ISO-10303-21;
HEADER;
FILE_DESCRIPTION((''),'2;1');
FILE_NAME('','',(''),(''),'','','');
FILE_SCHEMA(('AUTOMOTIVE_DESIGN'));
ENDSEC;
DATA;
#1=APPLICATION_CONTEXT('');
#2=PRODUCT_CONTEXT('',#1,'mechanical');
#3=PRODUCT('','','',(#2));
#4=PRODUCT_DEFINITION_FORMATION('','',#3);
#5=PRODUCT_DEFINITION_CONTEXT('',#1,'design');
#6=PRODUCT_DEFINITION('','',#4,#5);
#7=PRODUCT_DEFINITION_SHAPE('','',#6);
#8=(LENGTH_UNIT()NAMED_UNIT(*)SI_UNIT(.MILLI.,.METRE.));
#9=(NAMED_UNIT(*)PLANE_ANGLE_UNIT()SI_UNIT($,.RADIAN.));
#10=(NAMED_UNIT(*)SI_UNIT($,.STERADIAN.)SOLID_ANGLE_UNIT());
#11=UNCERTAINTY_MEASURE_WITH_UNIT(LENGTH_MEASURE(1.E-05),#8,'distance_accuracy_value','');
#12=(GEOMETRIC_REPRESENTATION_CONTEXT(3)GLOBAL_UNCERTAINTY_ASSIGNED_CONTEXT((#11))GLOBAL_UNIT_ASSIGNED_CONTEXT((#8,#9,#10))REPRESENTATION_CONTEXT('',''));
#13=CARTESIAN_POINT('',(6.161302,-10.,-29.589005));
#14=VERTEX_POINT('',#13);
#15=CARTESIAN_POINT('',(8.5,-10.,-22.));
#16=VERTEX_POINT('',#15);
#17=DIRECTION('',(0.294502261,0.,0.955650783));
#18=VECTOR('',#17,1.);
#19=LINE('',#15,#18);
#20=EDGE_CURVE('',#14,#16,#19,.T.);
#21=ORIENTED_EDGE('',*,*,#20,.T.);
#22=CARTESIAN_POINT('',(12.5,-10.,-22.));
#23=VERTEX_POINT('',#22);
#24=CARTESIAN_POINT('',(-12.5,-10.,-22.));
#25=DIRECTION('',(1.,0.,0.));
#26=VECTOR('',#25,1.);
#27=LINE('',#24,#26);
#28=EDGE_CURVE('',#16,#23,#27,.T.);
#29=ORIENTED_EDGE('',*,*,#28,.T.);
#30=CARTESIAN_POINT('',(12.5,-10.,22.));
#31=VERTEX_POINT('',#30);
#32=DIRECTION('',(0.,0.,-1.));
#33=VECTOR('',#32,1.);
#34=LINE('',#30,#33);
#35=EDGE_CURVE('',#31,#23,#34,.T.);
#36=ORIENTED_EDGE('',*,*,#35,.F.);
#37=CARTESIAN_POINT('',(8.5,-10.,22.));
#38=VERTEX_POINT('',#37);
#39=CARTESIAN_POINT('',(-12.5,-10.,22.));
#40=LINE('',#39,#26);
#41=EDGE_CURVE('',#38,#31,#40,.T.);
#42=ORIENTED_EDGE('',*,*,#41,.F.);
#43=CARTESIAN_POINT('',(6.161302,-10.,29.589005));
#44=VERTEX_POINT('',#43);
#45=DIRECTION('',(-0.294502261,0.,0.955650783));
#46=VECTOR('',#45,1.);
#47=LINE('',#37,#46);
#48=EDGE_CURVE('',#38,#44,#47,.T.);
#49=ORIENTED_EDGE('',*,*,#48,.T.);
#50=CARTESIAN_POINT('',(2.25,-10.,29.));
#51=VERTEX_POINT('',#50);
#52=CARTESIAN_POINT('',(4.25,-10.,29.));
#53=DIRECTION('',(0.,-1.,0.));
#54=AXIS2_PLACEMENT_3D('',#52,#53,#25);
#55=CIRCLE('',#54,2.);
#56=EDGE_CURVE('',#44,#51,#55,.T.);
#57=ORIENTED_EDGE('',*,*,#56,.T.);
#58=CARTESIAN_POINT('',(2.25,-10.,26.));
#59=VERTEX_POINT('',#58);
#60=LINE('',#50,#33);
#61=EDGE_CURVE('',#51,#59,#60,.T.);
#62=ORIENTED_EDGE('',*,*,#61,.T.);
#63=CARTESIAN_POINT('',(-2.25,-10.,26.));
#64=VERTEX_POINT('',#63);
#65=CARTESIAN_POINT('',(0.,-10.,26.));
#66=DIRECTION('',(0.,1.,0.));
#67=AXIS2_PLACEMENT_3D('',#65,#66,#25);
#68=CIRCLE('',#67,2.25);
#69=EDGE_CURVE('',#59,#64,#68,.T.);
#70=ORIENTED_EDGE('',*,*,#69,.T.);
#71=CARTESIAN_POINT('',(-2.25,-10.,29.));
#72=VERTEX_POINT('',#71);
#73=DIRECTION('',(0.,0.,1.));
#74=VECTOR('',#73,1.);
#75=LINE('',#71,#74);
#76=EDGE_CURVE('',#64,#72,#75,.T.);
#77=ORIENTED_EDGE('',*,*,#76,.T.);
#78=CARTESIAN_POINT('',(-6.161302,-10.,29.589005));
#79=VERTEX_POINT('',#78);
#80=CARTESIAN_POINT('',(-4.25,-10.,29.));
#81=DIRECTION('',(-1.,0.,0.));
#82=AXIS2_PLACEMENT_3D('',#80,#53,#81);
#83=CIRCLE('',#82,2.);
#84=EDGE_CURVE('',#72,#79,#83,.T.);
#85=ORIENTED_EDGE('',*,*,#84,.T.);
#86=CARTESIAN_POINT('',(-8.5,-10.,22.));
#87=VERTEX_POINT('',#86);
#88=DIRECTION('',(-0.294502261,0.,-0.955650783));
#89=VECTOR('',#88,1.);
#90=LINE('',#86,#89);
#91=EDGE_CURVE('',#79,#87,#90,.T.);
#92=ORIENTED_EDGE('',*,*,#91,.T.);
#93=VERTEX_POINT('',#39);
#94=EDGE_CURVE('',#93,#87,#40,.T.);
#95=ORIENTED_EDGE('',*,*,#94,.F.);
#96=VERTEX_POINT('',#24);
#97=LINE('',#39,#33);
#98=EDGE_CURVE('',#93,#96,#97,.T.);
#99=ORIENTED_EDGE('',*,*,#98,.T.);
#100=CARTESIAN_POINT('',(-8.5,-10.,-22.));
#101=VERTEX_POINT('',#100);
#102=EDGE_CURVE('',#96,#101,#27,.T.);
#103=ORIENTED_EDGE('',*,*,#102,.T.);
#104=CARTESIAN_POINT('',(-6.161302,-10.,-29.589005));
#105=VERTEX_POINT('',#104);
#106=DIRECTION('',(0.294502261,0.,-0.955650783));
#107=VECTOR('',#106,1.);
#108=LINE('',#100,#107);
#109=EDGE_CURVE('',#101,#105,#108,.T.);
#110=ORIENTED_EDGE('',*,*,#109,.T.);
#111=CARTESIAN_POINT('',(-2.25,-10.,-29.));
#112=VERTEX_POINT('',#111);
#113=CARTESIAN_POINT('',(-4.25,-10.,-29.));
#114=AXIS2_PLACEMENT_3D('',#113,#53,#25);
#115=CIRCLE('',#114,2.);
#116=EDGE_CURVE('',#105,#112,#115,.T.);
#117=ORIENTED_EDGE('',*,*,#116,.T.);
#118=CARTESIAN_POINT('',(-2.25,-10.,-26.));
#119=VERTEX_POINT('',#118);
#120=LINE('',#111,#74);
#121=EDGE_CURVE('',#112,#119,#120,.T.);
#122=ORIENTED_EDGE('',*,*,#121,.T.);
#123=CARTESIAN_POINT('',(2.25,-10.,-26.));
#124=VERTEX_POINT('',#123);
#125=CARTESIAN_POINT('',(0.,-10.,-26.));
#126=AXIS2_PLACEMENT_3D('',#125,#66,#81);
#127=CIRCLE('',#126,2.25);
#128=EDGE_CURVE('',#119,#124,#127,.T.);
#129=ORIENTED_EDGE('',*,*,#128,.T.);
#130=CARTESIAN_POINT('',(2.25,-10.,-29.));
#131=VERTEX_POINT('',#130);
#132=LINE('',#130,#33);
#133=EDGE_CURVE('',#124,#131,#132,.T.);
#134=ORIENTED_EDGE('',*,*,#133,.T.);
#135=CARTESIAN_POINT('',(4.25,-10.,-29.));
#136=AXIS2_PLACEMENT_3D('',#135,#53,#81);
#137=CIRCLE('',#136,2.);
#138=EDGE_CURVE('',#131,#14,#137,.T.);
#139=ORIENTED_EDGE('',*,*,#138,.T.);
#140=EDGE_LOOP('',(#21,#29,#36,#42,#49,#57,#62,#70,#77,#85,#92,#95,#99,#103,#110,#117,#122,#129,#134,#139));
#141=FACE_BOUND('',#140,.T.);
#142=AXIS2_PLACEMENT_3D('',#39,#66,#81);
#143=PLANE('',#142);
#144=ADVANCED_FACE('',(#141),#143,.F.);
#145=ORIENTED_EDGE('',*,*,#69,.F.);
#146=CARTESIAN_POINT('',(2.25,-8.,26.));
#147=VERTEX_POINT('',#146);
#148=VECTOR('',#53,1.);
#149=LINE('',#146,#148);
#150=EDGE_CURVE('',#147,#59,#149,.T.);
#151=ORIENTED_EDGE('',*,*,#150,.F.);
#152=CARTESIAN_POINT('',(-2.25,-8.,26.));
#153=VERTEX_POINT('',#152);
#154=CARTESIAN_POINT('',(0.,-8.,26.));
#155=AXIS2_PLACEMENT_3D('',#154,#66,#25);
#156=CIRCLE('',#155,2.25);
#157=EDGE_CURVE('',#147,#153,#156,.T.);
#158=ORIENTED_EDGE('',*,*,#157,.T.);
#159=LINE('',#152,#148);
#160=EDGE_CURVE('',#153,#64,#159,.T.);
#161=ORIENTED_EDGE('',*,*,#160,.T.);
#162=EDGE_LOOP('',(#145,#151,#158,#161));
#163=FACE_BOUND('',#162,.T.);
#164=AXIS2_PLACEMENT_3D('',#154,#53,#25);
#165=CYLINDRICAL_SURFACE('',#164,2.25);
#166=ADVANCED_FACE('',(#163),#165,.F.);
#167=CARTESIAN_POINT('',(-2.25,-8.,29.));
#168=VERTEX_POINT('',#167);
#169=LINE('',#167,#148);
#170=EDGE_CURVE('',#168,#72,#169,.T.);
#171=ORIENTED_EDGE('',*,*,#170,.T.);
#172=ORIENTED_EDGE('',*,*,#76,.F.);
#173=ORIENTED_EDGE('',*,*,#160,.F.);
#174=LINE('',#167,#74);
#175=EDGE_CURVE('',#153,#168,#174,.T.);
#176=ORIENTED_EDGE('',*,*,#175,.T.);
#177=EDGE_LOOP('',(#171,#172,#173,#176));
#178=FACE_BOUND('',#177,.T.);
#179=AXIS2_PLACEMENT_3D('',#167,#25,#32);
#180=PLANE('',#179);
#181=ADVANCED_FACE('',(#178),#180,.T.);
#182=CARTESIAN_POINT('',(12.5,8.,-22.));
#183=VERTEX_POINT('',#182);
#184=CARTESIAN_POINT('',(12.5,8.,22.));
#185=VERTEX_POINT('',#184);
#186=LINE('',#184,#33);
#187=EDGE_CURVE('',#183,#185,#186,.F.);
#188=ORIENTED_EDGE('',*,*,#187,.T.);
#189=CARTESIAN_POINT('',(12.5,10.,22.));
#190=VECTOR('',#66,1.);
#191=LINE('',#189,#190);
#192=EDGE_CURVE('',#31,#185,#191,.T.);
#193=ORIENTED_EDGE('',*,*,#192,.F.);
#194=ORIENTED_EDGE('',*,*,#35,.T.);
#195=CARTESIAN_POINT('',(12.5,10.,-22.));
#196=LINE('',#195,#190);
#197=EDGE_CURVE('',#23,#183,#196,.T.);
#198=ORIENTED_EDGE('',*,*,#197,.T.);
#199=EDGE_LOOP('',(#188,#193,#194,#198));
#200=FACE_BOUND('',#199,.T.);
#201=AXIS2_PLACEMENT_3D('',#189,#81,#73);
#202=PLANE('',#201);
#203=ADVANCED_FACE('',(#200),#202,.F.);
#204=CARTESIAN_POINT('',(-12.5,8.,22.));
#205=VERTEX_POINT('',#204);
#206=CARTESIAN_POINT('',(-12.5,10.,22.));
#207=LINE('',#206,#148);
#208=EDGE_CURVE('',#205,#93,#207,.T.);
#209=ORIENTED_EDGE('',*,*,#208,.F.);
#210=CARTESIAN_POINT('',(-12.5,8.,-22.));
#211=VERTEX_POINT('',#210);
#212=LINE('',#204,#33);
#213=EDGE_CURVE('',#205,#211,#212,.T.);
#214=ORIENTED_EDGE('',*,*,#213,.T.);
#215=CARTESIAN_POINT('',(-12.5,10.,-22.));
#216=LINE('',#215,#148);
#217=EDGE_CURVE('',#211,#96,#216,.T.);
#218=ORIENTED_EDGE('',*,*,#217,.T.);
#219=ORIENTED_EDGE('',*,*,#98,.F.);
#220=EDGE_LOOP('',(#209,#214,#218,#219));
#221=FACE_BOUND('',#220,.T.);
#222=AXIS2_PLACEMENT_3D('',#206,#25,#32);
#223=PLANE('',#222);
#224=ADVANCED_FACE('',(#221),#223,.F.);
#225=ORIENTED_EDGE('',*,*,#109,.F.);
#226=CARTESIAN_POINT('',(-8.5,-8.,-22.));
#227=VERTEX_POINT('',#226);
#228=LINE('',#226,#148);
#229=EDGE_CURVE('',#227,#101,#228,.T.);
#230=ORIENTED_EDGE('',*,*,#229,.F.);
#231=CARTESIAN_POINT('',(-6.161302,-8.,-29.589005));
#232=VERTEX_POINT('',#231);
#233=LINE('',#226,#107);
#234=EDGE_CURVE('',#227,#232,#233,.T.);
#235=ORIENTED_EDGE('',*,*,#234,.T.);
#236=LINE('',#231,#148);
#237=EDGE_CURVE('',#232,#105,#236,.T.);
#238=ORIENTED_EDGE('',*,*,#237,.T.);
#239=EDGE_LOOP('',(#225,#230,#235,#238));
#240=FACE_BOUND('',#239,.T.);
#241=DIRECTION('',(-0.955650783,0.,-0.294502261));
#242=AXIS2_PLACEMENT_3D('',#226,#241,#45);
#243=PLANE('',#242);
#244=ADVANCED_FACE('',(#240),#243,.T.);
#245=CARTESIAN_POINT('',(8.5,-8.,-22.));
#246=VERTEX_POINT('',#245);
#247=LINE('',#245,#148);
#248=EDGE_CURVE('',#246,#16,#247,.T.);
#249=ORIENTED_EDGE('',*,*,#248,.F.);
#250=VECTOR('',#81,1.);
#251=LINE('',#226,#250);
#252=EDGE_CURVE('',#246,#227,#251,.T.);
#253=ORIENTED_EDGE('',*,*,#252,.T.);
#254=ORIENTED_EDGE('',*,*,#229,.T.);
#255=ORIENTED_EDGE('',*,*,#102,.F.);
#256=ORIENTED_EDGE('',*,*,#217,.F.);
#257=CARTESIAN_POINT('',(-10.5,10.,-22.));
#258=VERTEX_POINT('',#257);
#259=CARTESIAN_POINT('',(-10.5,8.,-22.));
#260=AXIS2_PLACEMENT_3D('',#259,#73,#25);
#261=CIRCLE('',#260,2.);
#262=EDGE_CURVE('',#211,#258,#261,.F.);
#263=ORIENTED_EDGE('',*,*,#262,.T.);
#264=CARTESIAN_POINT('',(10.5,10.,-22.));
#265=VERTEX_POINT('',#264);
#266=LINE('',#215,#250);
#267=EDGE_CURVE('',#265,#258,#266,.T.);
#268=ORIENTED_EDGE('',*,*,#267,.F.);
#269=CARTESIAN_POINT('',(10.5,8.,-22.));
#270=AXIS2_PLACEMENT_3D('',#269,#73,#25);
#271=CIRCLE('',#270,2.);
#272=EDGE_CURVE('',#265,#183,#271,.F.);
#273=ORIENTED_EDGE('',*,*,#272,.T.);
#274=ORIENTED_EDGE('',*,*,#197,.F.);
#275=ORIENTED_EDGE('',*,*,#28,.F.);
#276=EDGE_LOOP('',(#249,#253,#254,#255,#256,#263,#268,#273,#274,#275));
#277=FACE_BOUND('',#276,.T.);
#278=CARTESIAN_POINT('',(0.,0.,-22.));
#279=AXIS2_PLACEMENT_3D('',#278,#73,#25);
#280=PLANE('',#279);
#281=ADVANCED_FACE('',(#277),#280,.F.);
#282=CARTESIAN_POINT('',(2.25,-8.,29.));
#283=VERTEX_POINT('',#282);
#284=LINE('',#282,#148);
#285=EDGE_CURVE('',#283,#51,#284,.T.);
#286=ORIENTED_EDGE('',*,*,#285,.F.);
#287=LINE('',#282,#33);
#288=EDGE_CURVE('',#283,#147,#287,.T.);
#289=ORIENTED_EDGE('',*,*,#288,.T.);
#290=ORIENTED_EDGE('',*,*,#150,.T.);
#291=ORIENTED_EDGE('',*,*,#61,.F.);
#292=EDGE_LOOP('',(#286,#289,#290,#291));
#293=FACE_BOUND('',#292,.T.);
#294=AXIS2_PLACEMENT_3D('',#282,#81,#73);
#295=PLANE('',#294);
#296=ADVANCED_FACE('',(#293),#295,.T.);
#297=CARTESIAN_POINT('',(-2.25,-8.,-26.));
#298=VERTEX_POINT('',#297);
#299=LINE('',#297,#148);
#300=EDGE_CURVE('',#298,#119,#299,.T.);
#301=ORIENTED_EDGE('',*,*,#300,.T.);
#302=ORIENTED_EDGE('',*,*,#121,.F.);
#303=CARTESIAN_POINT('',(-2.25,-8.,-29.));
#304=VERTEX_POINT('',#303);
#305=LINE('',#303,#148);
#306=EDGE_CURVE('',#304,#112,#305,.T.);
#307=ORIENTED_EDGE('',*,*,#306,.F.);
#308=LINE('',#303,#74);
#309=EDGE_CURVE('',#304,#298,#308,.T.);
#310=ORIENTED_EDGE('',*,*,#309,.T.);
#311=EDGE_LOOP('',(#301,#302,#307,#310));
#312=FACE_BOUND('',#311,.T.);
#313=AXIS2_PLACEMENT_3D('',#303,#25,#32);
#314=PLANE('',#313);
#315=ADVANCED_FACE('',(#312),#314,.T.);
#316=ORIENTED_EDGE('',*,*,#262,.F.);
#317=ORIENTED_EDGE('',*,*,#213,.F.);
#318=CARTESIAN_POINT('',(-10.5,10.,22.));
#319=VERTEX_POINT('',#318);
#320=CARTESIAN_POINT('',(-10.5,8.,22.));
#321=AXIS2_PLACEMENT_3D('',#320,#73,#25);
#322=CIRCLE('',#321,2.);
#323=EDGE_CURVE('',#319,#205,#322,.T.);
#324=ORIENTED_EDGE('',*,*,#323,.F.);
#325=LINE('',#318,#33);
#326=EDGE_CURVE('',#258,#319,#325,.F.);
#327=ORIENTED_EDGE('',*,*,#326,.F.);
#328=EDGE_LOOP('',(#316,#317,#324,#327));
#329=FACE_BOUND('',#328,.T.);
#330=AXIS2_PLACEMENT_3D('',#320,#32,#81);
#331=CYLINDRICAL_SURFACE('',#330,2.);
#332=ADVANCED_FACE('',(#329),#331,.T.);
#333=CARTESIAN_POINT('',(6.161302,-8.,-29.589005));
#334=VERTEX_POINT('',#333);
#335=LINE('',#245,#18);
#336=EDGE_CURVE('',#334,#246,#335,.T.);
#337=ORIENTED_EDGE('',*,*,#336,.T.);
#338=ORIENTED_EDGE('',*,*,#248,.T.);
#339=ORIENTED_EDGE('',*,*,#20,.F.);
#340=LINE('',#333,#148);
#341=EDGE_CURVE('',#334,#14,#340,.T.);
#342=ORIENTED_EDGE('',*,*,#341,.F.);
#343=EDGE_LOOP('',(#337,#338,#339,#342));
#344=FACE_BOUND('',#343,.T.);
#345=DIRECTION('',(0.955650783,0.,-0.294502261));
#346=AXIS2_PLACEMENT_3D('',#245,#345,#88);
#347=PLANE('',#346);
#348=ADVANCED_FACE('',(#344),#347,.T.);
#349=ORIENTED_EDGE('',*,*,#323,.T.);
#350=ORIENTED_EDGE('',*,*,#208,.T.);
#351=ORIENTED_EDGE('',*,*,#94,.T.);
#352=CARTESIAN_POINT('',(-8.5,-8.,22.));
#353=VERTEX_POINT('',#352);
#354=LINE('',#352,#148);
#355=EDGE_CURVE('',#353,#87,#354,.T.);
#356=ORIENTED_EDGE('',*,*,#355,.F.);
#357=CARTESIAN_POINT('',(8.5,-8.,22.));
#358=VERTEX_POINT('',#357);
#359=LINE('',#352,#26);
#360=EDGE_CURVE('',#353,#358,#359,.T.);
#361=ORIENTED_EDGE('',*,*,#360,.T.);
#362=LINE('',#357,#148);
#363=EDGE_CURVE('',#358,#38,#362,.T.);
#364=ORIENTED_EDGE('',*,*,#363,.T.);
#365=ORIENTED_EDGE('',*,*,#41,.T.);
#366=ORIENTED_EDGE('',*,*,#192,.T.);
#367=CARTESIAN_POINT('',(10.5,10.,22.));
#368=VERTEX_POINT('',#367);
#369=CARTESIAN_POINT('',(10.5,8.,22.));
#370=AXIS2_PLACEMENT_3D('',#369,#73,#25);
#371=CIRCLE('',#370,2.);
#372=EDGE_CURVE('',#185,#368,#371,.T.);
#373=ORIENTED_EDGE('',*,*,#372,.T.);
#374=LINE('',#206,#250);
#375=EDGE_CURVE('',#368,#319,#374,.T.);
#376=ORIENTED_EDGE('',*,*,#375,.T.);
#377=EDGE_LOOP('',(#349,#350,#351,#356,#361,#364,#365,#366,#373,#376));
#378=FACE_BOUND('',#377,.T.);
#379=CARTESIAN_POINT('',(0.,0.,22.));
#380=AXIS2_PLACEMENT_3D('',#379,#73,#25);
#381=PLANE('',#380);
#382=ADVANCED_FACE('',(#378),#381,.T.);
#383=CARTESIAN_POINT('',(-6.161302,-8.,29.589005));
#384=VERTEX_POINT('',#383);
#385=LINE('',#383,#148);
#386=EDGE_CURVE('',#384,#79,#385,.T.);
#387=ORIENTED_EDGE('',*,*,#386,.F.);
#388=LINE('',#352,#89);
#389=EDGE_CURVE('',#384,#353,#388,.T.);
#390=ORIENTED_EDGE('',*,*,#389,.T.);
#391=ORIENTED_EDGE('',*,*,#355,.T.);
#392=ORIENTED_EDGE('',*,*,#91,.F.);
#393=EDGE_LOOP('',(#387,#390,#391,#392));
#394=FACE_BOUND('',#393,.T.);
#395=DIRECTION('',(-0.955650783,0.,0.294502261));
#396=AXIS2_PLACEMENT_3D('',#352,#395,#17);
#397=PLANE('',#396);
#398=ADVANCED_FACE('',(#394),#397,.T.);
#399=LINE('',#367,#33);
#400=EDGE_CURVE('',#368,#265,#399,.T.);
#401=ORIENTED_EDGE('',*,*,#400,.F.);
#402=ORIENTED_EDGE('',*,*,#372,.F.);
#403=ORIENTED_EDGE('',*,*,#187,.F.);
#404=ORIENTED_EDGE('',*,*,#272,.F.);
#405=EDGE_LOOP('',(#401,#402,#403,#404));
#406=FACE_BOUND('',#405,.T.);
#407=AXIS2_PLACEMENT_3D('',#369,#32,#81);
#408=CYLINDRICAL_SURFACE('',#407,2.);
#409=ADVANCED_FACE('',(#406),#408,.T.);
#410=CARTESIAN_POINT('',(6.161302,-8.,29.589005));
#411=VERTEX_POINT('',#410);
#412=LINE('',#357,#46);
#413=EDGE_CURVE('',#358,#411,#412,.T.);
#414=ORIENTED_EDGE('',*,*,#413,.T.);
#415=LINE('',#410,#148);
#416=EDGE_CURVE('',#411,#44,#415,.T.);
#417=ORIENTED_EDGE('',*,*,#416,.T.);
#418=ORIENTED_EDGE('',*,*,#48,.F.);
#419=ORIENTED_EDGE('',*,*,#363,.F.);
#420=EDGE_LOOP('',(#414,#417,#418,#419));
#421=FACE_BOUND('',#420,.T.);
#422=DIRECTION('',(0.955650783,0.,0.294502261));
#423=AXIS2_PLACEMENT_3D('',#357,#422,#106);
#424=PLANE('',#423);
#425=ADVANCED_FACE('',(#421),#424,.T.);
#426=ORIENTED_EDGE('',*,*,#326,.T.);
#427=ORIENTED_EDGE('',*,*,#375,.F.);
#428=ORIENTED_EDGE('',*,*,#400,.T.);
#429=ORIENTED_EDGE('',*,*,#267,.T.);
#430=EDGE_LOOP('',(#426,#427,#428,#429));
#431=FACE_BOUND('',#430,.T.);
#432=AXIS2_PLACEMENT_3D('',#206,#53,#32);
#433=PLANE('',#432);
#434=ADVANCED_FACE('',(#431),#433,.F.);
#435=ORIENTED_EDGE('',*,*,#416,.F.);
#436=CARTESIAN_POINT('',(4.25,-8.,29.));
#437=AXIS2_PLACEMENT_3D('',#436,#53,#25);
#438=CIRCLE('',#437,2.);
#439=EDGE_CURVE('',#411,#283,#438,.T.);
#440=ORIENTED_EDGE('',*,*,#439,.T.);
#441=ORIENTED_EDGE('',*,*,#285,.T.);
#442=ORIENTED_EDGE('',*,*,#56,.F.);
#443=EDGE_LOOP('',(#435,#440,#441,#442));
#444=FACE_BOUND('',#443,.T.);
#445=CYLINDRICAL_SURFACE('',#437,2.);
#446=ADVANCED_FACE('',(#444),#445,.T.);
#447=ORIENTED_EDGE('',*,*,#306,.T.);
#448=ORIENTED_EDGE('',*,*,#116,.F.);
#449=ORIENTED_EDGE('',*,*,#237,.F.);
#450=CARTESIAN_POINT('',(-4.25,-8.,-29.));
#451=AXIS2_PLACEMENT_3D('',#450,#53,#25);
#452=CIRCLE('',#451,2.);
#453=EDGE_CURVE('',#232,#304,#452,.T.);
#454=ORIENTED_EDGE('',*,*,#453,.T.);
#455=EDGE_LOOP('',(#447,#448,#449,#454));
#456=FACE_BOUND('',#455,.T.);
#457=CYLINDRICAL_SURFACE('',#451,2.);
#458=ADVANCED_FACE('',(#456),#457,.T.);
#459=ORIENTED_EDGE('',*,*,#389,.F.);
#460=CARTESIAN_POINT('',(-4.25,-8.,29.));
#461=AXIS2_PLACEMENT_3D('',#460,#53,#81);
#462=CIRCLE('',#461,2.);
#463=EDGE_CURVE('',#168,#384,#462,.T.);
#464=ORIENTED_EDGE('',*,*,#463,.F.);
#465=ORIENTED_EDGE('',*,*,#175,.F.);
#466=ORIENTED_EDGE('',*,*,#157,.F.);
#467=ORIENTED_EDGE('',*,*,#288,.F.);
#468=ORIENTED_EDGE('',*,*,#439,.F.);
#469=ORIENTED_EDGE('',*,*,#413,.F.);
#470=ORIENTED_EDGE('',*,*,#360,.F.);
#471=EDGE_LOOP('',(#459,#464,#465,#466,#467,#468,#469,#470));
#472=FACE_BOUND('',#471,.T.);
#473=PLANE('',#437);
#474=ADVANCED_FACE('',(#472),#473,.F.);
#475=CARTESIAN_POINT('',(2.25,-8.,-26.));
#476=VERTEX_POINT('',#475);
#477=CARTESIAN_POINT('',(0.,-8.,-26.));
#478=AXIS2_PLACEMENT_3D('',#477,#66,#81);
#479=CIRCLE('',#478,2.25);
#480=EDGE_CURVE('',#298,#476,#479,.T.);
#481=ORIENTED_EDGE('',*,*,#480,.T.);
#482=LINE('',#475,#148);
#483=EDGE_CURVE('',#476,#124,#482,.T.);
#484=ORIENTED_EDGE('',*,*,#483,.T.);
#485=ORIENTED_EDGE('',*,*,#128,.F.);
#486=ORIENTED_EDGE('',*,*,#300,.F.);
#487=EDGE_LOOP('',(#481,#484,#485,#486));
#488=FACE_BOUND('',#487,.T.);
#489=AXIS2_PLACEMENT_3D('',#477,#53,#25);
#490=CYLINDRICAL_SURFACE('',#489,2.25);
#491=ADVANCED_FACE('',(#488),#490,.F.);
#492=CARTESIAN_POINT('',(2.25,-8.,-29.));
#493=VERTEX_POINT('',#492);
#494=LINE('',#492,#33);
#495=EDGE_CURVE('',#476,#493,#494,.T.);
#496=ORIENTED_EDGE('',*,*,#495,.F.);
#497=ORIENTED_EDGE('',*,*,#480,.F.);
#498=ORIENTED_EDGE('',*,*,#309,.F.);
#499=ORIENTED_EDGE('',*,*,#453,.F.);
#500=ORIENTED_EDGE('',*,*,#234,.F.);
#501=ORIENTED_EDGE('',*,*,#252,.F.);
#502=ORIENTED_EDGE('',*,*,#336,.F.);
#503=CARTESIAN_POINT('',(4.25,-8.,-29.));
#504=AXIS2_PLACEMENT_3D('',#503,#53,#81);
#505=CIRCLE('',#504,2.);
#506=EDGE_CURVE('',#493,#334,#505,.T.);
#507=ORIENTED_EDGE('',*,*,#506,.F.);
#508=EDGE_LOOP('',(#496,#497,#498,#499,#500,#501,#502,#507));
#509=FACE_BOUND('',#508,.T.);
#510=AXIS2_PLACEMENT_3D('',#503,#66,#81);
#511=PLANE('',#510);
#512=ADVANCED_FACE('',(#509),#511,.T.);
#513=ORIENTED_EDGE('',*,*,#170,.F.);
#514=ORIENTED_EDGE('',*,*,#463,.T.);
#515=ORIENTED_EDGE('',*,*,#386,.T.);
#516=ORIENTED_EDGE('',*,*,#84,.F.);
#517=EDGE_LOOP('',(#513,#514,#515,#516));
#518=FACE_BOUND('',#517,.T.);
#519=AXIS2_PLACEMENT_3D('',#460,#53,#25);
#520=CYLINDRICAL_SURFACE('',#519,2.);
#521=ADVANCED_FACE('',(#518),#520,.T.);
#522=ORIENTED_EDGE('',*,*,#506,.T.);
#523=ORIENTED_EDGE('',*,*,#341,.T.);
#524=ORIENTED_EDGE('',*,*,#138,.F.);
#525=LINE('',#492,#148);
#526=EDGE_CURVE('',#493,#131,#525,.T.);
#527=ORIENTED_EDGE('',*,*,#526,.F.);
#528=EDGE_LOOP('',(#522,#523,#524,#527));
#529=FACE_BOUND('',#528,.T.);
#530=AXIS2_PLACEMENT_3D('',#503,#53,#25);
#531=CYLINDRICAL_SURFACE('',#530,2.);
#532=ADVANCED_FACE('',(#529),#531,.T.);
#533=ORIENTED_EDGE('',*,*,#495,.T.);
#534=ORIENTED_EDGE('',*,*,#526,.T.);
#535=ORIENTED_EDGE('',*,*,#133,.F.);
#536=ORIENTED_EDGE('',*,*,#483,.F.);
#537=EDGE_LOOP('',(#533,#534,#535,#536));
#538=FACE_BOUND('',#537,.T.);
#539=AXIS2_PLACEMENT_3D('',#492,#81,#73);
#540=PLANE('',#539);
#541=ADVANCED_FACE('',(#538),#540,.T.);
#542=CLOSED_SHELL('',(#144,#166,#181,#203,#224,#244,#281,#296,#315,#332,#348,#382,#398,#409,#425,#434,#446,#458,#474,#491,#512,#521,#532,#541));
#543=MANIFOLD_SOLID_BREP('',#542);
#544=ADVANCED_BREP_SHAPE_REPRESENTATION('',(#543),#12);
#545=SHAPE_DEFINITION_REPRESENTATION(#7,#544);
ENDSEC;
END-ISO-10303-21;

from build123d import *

# Parameters (mm, degrees)
SKETCH_1_W      = 25
SKETCH_1_H      = 20
EXTRUDE_1_DEPTH = 22
EXTRUDE_2_DEPTH = 2
FILLET_1_R      = 2


with BuildPart() as part:
    # 草图1 → 凸台-拉伸1 (new, symmetric)
    with BuildSketch(Plane.XY):
        Rectangle(SKETCH_1_W, SKETCH_1_H)
    extrude(amount=EXTRUDE_1_DEPTH, both=True)

    # 草图2 → 凸台-拉伸2 (add)
    with BuildSketch(Plane.XZ.offset(10)):
        with BuildLine():
            Line((-8.5, -22), (-6.161301565, -29.589004522))
            ThreePointArc((-6.161301565, -29.589004522), (-3.952177176, -30.977701081), (-2.25, -29))
            Line((-2.25, -29), (-2.25, -26))
            ThreePointArc((-2.25, -26), (0, -23.75), (2.25, -26))
            Line((2.25, -26), (2.25, -29))
            ThreePointArc((2.25, -29), (3.952177176, -30.977701081), (6.161301565, -29.589004522))
            Line((6.161301565, -29.589004522), (8.5, -22))
            Line((8.5, -22), (-8.5, -22))
        make_face()
        with BuildLine():
            Line((-8.5, 22), (8.5, 22))
            Line((8.5, 22), (6.161301565, 29.589004522))
            ThreePointArc((6.161301565, 29.589004522), (3.952177176, 30.977701081), (2.25, 29))
            Line((2.25, 29), (2.25, 26))
            ThreePointArc((2.25, 26), (0, 23.75), (-2.25, 26))
            Line((-2.25, 26), (-2.25, 29))
            ThreePointArc((-2.25, 29), (-3.952177176, 30.977701081), (-6.161301565, 29.589004522))
            Line((-6.161301565, 29.589004522), (-8.5, 22))
        make_face()
    extrude(amount=-EXTRUDE_2_DEPTH)

    # 圆角1
    fillet_1_edges = [part.edges().sort_by_distance(p)[0] for p in [
        (-12.5, 10, 0),
        (12.5, 10, 0),
    ]]
    fillet(fillet_1_edges, radius=FILLET_1_R)


solid = part.part
